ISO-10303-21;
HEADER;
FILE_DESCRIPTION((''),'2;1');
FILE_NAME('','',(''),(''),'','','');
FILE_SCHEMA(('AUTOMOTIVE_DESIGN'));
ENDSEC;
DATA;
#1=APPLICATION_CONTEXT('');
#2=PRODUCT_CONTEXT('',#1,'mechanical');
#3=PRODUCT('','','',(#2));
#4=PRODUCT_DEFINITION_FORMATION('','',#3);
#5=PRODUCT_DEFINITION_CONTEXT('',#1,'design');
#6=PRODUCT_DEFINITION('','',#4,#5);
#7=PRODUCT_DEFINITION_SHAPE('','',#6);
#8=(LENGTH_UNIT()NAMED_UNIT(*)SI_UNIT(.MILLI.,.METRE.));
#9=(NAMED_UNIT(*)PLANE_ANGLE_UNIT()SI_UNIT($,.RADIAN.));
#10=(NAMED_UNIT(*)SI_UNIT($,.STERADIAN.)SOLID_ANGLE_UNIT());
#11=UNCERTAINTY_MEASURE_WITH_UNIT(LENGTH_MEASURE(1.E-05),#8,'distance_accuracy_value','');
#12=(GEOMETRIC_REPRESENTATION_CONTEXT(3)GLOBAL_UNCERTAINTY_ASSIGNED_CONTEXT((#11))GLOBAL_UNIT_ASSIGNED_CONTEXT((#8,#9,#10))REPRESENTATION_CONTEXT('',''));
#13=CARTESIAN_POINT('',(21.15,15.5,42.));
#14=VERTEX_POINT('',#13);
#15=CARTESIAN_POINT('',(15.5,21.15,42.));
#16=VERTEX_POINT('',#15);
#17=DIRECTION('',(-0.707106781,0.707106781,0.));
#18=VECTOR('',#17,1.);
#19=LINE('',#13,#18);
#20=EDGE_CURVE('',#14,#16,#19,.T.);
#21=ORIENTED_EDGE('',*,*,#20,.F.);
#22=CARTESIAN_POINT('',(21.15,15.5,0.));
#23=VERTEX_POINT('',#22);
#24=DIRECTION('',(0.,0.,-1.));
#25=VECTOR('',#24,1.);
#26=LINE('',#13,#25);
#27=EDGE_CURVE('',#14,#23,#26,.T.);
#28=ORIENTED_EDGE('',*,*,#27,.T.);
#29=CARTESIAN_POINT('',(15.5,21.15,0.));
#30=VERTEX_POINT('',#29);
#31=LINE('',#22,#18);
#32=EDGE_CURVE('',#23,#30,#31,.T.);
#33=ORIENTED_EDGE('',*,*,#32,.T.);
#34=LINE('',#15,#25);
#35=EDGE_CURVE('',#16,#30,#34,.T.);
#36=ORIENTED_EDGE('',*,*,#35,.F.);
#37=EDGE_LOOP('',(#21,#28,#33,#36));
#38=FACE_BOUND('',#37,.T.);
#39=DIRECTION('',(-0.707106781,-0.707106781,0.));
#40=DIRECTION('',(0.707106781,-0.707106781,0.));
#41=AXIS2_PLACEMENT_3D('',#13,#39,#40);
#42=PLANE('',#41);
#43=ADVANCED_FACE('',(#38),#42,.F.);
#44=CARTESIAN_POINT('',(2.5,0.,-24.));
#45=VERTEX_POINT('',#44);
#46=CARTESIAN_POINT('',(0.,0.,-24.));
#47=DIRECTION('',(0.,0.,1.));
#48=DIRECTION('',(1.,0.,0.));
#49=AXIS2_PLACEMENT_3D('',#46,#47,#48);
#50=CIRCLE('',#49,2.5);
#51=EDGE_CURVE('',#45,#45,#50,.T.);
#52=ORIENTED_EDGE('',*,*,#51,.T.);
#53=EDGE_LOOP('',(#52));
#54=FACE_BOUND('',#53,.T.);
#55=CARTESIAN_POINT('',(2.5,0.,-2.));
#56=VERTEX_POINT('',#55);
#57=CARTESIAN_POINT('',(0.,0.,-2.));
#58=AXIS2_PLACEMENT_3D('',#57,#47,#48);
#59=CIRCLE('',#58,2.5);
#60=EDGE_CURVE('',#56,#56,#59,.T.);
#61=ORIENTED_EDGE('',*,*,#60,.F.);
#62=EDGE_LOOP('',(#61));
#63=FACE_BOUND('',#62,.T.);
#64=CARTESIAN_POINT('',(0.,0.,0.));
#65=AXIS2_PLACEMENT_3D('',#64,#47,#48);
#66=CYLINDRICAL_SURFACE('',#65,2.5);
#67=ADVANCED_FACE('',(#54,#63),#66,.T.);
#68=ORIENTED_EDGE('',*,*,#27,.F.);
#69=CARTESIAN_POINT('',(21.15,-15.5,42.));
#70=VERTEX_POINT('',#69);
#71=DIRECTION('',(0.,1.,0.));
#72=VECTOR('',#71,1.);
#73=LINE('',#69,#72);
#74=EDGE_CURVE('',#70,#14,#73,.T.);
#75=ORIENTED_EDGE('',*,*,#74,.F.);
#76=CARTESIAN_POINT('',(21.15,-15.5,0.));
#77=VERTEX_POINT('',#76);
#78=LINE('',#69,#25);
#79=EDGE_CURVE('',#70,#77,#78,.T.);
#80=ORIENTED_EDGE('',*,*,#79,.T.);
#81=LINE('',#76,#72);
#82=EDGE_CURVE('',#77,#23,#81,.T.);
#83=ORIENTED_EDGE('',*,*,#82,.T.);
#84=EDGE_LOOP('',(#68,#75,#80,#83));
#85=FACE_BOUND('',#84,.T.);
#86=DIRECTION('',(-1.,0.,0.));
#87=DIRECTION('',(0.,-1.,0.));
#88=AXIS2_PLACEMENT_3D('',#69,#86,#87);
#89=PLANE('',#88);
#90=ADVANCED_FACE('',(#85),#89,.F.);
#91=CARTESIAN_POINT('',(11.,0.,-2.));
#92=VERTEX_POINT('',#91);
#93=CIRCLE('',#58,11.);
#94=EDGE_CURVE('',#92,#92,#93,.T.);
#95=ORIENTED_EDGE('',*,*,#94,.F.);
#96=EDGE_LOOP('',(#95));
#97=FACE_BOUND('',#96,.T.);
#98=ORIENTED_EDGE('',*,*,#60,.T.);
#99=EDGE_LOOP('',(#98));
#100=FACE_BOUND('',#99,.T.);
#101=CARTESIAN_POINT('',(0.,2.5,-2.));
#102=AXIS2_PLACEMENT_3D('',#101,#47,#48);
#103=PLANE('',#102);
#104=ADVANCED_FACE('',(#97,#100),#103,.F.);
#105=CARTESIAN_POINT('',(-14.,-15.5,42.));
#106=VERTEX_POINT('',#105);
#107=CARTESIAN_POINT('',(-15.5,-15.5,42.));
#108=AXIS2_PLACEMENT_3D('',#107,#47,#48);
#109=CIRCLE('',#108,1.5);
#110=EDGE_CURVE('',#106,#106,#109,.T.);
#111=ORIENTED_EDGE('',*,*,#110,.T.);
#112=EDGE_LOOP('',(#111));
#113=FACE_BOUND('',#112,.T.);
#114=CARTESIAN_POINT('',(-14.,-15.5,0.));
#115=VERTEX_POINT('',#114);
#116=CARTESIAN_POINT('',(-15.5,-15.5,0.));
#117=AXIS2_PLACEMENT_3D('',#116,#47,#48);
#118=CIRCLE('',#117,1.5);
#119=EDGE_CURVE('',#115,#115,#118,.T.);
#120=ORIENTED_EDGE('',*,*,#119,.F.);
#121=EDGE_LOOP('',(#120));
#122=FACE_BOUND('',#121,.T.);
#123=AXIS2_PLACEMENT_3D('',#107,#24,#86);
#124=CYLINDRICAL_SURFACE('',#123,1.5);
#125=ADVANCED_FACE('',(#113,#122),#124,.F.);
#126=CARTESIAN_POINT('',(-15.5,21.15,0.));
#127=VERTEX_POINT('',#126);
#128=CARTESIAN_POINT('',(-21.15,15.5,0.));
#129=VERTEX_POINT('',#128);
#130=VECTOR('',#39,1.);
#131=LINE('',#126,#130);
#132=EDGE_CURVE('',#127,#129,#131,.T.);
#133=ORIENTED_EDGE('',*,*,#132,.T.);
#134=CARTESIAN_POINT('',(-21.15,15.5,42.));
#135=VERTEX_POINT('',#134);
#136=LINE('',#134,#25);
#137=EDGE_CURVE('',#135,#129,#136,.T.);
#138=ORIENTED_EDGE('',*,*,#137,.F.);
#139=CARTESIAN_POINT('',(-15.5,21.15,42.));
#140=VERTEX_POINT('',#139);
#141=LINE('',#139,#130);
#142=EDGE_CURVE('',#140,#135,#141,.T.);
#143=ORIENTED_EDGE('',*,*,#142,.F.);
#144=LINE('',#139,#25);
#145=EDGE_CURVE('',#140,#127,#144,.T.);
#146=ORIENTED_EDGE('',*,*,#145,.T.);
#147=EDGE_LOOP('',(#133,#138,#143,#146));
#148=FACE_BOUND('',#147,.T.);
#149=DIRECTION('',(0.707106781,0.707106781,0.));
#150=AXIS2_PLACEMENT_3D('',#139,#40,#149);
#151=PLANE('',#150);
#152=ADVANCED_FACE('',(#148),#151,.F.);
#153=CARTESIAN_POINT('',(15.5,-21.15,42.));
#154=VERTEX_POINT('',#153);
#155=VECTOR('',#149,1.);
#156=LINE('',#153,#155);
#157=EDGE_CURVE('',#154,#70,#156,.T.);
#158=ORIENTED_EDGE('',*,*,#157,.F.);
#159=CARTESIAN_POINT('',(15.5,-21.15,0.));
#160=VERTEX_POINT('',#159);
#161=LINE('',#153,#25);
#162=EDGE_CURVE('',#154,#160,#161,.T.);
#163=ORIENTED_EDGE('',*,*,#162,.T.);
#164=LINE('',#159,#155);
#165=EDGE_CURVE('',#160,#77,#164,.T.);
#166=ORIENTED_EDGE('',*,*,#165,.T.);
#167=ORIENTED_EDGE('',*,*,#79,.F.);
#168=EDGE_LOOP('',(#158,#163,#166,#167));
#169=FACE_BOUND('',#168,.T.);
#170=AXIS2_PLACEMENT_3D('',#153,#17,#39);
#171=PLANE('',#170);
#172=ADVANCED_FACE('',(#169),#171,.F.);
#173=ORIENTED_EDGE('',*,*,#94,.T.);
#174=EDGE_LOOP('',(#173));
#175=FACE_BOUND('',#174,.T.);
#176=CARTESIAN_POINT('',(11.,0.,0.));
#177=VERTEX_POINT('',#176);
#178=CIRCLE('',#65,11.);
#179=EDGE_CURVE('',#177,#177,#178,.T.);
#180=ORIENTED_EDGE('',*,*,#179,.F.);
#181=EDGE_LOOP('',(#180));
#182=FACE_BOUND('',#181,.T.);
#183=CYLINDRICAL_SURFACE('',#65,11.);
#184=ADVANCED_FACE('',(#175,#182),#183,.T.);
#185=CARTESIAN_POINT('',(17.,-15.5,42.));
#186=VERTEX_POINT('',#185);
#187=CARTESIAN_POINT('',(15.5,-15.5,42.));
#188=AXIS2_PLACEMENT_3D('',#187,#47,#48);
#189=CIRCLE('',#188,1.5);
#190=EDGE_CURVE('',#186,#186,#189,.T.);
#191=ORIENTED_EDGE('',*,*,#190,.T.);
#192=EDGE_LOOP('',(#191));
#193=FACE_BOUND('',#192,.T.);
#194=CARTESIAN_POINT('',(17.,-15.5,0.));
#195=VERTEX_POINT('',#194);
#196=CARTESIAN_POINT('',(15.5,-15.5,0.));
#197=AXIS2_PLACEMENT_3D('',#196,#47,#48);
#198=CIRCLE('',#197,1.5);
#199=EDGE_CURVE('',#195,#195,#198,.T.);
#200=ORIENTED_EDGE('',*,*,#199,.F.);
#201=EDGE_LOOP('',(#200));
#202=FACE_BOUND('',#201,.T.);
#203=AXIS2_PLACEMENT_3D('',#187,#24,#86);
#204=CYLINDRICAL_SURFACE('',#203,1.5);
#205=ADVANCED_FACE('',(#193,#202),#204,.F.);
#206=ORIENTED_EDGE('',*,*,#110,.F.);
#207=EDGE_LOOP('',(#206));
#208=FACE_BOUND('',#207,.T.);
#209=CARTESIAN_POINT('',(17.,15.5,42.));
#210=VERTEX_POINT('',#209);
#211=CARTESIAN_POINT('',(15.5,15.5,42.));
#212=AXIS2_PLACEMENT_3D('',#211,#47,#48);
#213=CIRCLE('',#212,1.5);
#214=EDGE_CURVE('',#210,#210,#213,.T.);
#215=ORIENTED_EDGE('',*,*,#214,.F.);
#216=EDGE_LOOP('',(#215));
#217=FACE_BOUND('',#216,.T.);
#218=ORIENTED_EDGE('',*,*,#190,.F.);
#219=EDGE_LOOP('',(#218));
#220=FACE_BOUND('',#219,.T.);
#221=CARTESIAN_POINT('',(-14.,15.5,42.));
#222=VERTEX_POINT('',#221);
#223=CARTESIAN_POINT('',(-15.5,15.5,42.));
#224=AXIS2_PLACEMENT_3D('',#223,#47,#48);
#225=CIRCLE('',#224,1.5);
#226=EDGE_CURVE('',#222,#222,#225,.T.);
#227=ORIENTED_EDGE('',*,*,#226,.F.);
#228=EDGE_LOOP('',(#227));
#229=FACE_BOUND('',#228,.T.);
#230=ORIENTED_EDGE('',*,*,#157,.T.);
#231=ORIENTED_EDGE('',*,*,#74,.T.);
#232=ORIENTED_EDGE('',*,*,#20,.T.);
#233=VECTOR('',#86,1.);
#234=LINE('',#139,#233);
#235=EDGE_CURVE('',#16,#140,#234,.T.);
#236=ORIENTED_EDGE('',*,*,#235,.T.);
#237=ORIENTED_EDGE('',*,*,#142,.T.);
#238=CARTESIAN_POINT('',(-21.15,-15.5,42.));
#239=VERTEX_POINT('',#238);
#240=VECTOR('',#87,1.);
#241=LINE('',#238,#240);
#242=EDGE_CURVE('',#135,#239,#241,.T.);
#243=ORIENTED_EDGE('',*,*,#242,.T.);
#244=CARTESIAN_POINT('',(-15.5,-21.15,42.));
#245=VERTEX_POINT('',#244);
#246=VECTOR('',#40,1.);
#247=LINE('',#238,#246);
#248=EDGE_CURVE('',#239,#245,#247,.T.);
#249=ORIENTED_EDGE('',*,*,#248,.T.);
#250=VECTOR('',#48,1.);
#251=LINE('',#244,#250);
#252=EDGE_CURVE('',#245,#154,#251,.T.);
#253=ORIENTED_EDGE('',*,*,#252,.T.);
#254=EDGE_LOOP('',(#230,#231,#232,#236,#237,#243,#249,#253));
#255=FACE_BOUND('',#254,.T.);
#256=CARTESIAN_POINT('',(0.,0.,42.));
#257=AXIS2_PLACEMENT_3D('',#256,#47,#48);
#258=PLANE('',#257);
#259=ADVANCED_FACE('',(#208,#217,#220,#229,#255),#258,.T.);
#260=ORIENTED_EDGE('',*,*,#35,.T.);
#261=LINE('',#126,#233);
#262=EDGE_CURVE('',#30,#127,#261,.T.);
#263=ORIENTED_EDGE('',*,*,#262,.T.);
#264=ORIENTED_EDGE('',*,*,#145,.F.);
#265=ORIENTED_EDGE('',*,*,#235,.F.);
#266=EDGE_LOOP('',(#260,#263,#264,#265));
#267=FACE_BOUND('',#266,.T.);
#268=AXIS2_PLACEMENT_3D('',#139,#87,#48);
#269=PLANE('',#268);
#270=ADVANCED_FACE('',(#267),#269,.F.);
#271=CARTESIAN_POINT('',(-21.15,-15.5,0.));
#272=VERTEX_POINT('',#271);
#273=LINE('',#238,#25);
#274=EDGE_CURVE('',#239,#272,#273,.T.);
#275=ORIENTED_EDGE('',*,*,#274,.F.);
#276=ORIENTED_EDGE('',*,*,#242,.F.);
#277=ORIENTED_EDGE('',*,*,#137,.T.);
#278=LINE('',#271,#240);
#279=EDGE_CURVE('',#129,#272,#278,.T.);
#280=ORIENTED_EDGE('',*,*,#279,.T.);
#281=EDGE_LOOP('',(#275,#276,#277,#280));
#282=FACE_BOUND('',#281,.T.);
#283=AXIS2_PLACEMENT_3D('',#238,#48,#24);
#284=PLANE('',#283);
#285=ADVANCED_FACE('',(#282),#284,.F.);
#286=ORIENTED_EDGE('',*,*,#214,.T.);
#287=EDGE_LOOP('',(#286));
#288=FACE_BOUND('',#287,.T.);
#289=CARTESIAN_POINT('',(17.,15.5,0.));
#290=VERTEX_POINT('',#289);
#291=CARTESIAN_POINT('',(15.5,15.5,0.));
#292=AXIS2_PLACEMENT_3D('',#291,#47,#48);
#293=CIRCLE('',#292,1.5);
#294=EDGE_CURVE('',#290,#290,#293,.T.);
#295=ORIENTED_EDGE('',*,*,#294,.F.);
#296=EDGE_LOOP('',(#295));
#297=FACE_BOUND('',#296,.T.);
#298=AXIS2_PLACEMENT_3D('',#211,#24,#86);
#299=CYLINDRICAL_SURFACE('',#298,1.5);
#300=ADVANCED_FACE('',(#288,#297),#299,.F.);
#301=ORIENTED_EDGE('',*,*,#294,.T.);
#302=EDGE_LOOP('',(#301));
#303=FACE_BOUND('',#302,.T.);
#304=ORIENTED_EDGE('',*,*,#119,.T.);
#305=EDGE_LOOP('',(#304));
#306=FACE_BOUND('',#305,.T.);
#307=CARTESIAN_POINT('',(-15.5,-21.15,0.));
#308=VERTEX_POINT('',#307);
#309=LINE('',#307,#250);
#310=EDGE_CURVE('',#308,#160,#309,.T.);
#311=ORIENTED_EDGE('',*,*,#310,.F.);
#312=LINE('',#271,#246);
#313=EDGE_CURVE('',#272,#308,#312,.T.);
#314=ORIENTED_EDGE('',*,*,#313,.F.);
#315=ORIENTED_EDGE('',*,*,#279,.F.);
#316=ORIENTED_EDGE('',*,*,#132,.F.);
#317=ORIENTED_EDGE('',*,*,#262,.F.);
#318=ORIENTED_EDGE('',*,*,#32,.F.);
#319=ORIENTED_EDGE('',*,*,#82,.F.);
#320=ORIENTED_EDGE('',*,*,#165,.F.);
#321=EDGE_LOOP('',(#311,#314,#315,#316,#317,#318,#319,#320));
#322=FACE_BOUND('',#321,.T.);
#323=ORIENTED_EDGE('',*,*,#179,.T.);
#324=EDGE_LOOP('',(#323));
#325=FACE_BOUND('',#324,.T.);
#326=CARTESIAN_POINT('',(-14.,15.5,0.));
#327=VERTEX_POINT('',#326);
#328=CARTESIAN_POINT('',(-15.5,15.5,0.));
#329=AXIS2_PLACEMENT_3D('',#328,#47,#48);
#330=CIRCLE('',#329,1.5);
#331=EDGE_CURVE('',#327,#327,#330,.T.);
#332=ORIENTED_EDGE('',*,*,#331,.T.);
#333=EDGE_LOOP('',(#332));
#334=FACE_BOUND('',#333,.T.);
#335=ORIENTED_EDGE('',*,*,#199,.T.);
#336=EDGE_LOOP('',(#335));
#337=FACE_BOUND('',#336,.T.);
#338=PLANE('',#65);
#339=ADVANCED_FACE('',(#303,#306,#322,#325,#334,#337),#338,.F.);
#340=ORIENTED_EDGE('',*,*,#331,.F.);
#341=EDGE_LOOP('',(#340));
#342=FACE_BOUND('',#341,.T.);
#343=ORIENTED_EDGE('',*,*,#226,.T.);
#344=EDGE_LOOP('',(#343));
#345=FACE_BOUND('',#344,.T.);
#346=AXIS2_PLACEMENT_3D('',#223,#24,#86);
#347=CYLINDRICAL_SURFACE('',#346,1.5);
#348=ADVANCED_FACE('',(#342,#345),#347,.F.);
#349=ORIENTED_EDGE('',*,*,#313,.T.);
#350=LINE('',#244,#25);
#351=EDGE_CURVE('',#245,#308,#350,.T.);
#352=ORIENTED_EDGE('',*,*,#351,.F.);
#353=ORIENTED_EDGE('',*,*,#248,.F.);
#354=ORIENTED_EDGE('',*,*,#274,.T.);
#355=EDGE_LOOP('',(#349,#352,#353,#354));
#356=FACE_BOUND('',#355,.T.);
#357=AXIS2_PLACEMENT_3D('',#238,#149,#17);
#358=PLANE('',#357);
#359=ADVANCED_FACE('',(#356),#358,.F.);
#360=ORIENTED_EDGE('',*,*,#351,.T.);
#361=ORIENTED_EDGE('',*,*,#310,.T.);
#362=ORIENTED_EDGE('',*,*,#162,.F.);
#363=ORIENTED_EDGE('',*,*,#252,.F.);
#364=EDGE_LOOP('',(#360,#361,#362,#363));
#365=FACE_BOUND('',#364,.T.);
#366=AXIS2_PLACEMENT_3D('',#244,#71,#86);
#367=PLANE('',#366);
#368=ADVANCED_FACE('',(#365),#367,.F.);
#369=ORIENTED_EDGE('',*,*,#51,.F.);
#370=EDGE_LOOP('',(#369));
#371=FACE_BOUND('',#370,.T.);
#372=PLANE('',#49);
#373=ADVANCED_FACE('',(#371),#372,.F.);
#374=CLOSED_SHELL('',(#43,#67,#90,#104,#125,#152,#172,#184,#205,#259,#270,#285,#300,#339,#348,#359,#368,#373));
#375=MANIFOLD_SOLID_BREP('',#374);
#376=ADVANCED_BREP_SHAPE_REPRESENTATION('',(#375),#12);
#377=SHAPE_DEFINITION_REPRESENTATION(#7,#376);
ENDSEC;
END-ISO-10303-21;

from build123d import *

# Parameters (mm, degrees)
SKETCH1_R           = 1.5
BOSS_EXTRUDE1_DEPTH = 42


with BuildPart() as part:
    # Sketch1 → Boss-Extrude1 (new body)
    with BuildSketch(Plane.XY):
        Polygon((-15.5, 21.15), (-21.15, 15.5), (-21.15, -15.5), (-15.5, -21.15), (15.5, -21.15), (21.15, -15.5), (21.15, 15.5), (15.5, 21.15), align=None)
        with Locations((15.5, 15.5)):
            Circle(SKETCH1_R, mode=Mode.SUBTRACT)
        with Locations((15.5, -15.5)):
            Circle(SKETCH1_R, mode=Mode.SUBTRACT)
        with Locations((-15.5, -15.5)):
            Circle(SKETCH1_R, mode=Mode.SUBTRACT)
        with Locations((-15.5, 15.5)):
            Circle(SKETCH1_R, mode=Mode.SUBTRACT)
    extrude(amount=BOSS_EXTRUDE1_DEPTH)

    # Sketch3 → Revolve1 (revolve)
    with BuildSketch(Plane(origin=(0, 0, 0), x_dir=(0, 0, -1), z_dir=(1, 0, 0)), mode=Mode.PRIVATE) as revolve1_sk:
        Polygon((0, 0), (24, 0), (24, 2.5), (2, 2.5), (2, 11), (0, 11), align=None)
    revolve(revolve1_sk.sketch.rotate(Axis((0, 0, 0), (0, 0, -1)), 90), axis=Axis((0, 0, 0), (0, 0, -1)))


solid = part.part
